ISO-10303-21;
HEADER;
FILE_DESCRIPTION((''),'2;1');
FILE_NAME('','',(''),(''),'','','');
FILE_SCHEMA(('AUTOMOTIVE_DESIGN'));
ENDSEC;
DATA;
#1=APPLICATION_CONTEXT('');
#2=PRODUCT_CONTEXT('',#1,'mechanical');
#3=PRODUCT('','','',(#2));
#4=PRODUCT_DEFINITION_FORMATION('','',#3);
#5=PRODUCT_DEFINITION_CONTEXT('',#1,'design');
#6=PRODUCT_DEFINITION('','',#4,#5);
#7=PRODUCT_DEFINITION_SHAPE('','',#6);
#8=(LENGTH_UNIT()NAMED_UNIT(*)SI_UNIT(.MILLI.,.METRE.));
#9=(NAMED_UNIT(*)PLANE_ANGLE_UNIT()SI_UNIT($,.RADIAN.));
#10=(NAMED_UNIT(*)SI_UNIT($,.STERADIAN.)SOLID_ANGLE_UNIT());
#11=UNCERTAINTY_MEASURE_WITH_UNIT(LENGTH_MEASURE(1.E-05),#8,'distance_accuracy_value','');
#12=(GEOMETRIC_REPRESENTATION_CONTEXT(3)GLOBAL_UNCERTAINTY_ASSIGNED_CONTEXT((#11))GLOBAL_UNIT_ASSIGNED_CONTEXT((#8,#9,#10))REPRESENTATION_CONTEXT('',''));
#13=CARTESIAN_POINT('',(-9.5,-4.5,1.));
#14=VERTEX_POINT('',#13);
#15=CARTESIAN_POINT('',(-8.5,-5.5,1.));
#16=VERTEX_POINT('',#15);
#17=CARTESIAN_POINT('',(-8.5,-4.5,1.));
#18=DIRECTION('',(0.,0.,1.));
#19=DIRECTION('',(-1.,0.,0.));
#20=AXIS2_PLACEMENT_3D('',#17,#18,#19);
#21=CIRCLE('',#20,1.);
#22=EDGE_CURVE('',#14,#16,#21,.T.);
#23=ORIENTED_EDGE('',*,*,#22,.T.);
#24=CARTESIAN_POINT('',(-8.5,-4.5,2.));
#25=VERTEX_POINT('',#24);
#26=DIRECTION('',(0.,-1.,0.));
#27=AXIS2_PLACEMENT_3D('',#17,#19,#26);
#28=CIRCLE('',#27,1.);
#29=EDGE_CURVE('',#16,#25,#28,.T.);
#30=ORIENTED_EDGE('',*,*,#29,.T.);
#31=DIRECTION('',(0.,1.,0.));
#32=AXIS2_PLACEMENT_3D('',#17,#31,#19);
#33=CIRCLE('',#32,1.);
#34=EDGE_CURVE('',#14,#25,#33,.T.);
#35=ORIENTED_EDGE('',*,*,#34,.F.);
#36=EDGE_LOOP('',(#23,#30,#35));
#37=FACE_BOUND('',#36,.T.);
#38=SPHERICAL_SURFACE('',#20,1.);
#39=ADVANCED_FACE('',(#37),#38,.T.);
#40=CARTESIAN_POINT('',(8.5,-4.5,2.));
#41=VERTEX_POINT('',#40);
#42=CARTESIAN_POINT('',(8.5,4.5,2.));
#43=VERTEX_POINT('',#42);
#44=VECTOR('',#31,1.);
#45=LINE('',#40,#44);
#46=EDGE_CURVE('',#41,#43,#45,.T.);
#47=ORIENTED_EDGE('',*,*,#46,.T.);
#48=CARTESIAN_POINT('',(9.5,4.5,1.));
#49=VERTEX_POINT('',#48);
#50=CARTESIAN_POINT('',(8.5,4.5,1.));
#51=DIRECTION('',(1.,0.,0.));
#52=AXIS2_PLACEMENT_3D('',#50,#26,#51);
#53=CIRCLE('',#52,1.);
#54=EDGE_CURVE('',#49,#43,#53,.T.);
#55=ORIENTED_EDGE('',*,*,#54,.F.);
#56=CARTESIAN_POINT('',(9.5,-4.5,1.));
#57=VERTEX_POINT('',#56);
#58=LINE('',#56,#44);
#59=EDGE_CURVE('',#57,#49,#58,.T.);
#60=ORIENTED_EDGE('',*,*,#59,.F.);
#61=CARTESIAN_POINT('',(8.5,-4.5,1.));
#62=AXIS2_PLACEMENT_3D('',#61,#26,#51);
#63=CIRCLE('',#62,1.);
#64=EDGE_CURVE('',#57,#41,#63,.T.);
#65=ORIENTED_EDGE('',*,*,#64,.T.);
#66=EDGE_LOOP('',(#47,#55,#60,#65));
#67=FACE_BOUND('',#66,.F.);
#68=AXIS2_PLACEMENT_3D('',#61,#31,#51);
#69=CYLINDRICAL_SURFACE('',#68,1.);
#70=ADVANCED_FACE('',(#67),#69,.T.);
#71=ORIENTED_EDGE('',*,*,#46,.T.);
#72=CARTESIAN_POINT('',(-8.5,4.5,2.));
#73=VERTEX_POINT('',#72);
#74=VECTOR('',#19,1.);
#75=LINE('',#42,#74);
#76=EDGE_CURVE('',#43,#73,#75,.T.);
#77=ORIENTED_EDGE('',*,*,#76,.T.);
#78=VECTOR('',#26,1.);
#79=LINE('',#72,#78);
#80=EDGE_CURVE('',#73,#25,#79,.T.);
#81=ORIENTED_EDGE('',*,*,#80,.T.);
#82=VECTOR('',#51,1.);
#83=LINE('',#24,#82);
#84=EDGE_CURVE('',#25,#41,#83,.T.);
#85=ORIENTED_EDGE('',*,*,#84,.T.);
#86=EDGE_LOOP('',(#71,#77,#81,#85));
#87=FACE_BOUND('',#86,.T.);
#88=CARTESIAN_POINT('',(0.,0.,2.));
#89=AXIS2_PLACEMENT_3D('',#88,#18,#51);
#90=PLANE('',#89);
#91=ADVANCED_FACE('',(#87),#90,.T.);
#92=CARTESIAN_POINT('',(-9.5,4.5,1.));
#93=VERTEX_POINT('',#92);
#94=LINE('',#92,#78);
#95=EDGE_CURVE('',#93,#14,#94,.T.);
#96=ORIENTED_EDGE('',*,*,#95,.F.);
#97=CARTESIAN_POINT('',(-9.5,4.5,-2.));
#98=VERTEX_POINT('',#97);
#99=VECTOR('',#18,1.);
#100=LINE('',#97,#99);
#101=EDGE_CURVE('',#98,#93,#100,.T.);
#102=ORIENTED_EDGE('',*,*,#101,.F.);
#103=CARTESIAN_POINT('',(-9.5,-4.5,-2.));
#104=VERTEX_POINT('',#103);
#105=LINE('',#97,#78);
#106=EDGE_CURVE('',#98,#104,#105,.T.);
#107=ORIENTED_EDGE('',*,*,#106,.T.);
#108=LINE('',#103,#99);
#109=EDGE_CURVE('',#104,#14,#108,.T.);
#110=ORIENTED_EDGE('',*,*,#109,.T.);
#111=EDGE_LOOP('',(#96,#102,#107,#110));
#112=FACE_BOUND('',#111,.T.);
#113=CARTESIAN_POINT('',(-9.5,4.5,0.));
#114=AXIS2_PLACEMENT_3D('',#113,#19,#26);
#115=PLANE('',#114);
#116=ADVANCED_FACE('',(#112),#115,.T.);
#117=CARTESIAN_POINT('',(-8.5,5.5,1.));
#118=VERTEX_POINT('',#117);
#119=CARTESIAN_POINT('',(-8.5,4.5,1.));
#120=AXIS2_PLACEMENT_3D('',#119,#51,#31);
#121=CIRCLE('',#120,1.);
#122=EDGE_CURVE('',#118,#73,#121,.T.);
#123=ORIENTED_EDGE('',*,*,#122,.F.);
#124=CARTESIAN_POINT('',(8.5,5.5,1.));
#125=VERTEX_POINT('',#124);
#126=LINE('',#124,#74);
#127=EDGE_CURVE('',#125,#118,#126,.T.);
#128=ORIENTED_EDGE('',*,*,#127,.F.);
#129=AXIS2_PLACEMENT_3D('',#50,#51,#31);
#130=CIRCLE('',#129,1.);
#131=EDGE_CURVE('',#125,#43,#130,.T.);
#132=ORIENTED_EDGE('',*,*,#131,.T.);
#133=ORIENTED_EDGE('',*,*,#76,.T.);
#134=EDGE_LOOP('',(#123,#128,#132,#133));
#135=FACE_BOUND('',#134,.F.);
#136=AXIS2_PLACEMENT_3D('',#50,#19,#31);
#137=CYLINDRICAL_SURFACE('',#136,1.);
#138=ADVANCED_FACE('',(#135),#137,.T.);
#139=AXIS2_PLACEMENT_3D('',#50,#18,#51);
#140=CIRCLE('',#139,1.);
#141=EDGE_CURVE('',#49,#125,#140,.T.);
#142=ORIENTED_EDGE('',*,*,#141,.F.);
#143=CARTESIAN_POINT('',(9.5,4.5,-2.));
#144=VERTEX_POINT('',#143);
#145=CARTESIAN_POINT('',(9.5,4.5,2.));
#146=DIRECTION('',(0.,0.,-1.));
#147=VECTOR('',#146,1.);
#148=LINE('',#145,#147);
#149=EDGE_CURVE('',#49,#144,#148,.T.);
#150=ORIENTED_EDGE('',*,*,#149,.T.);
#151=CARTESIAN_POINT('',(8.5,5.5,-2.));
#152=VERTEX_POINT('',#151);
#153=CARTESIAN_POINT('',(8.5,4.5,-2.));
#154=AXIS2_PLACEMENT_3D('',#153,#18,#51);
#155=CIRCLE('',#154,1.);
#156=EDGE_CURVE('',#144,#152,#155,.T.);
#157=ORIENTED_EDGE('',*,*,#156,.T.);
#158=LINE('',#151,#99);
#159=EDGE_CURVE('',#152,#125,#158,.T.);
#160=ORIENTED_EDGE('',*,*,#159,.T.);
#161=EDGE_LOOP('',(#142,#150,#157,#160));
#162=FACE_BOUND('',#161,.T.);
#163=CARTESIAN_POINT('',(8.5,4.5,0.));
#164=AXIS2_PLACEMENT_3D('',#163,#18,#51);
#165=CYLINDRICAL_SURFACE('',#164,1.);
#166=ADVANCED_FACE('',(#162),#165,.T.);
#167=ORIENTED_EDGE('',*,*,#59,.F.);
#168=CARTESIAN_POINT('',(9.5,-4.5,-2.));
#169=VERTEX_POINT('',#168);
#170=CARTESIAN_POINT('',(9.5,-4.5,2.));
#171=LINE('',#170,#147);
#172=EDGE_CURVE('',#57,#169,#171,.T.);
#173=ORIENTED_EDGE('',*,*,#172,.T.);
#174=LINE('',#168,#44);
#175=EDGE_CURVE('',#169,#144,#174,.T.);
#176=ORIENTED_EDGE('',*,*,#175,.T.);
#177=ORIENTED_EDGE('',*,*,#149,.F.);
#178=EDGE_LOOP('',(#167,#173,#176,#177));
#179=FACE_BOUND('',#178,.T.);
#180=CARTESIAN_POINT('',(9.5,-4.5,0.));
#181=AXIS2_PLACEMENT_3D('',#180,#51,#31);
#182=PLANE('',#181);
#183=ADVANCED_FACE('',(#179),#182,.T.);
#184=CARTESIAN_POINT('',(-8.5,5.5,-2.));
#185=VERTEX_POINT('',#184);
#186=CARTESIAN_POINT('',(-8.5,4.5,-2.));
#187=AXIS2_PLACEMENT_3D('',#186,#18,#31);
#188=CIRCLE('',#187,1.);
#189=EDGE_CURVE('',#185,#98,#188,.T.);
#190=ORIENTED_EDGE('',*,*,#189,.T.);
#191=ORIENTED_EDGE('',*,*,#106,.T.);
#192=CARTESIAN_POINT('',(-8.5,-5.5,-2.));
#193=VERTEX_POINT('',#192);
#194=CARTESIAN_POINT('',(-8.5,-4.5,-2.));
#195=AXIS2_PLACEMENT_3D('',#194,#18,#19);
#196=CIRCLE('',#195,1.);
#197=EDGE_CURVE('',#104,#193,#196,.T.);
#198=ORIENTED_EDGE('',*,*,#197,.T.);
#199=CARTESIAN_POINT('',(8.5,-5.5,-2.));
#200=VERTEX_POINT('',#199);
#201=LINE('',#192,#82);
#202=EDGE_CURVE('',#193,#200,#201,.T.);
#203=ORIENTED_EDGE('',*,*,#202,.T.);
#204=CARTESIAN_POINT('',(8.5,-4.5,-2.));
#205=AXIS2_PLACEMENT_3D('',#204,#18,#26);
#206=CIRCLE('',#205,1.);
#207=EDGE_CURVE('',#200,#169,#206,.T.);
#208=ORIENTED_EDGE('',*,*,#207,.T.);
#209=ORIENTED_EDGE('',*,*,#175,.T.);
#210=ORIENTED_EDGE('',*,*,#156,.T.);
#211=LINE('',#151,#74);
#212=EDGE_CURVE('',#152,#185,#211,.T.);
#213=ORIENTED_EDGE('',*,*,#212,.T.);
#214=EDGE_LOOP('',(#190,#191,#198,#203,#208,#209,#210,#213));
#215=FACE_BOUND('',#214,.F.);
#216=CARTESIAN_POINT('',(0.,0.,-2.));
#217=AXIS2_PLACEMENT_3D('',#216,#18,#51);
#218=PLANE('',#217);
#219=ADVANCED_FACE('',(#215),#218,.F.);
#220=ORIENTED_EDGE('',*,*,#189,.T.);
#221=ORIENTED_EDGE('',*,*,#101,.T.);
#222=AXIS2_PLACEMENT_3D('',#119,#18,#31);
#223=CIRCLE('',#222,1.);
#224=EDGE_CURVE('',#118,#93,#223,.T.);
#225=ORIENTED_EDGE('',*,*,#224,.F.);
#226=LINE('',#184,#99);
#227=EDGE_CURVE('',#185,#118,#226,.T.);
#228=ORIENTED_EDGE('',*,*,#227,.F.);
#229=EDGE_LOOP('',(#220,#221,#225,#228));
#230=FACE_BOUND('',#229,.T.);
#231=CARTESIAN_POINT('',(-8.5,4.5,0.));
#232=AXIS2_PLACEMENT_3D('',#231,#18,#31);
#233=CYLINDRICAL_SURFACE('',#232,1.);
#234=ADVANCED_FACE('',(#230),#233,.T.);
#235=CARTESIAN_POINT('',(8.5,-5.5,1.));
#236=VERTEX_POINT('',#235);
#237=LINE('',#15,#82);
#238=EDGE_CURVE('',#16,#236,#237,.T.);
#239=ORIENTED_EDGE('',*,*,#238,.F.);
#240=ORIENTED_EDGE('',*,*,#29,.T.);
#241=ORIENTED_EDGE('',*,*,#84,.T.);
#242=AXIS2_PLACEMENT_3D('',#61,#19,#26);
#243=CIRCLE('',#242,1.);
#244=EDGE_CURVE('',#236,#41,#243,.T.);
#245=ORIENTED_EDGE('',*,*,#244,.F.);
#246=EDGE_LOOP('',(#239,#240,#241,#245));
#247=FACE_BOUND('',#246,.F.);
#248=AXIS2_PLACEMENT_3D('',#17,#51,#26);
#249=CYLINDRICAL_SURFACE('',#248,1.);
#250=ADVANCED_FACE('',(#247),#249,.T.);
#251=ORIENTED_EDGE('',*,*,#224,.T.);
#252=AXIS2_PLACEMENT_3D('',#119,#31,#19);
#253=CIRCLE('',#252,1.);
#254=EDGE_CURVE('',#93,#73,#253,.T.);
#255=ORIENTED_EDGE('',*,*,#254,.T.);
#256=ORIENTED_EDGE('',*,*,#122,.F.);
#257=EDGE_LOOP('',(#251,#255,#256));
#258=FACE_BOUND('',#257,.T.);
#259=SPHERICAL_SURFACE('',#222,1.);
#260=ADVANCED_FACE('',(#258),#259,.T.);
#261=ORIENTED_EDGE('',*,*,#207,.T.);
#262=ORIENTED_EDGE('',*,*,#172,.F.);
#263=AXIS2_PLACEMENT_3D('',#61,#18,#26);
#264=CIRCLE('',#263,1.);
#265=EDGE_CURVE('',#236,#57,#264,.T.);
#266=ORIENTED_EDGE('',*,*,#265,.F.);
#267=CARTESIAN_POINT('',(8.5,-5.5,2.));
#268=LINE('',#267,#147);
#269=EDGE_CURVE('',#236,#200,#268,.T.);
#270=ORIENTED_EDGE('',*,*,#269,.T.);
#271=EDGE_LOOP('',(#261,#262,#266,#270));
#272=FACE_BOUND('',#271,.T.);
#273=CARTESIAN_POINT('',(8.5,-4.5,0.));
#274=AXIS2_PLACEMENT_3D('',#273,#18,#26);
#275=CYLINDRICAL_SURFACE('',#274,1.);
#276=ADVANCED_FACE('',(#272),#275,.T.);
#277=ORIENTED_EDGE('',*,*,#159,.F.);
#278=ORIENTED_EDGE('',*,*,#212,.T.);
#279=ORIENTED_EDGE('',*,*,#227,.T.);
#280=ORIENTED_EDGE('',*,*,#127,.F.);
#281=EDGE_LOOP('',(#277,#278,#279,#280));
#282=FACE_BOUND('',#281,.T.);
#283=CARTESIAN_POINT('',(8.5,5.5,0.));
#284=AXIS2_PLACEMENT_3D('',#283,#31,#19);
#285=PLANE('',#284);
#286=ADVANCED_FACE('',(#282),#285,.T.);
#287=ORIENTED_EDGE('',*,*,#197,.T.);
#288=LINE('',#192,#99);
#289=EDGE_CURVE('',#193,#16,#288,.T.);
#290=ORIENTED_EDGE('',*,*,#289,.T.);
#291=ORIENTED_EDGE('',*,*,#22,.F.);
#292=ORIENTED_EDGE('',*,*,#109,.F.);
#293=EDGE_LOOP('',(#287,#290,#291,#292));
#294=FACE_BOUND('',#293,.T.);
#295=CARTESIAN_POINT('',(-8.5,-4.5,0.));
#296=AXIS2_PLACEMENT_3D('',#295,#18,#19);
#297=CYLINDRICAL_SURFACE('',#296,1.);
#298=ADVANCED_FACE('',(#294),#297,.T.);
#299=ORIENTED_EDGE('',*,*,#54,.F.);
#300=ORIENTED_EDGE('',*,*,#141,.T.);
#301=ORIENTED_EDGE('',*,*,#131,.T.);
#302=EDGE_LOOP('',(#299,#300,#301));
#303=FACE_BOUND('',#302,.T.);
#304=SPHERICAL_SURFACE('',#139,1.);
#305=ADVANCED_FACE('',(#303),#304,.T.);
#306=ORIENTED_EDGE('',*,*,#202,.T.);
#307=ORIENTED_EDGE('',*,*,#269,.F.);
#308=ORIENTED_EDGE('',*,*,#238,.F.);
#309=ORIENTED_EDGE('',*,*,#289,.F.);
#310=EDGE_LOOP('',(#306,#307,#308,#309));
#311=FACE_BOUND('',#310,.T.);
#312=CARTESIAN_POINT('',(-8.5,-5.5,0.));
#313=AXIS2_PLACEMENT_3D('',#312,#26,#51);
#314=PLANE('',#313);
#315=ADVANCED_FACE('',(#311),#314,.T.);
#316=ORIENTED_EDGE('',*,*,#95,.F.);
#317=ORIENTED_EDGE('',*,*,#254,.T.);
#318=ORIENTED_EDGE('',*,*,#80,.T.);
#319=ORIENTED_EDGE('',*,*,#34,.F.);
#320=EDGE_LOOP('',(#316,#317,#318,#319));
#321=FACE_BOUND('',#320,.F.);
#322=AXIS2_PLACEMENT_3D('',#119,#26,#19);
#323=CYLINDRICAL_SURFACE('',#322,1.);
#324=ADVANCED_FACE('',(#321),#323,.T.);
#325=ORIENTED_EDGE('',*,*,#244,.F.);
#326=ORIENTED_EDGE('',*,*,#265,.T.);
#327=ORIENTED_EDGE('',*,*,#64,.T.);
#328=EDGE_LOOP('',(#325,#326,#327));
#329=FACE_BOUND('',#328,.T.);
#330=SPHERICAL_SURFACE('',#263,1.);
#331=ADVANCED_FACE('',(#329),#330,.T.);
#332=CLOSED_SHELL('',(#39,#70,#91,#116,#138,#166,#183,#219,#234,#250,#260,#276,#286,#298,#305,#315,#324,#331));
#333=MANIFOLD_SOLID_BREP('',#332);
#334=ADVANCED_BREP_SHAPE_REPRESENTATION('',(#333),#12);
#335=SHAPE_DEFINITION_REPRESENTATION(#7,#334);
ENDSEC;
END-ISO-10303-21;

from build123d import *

# Parameters (mm, degrees)
F1_DEPTH = 2
F2_R     = 1


with BuildPart() as f1:
    # F0 (on Top) → F1 (new body, symmetric)
    with BuildSketch(Plane.XY):
        with BuildLine():
            ThreePointArc((9.5, 4.5), (9.2071067812, 5.2071067812), (8.5, 5.5))
            Line((8.5, 5.5), (-8.5, 5.5))
            ThreePointArc((-8.5, 5.5), (-9.2071067812, 5.2071067812), (-9.5, 4.5))
            Line((-9.5, 4.5), (-9.5, -4.5))
            ThreePointArc((-9.5, -4.5), (-9.2071067812, -5.2071067812), (-8.5, -5.5))
            Line((-8.5, -5.5), (8.5, -5.5))
            ThreePointArc((8.5, -5.5), (9.2071067812, -5.2071067812), (9.5, -4.5))
            Line((9.5, -4.5), (9.5, 4.5))
        make_face()
    extrude(amount=F1_DEPTH, both=True)

    # F2
    f2_edges = [f1.edges().sort_by_distance(p)[0] for p in [
        (0, -5.5, 2),
    ]]
    fillet(f2_edges, radius=F2_R)


solid = f1.part
